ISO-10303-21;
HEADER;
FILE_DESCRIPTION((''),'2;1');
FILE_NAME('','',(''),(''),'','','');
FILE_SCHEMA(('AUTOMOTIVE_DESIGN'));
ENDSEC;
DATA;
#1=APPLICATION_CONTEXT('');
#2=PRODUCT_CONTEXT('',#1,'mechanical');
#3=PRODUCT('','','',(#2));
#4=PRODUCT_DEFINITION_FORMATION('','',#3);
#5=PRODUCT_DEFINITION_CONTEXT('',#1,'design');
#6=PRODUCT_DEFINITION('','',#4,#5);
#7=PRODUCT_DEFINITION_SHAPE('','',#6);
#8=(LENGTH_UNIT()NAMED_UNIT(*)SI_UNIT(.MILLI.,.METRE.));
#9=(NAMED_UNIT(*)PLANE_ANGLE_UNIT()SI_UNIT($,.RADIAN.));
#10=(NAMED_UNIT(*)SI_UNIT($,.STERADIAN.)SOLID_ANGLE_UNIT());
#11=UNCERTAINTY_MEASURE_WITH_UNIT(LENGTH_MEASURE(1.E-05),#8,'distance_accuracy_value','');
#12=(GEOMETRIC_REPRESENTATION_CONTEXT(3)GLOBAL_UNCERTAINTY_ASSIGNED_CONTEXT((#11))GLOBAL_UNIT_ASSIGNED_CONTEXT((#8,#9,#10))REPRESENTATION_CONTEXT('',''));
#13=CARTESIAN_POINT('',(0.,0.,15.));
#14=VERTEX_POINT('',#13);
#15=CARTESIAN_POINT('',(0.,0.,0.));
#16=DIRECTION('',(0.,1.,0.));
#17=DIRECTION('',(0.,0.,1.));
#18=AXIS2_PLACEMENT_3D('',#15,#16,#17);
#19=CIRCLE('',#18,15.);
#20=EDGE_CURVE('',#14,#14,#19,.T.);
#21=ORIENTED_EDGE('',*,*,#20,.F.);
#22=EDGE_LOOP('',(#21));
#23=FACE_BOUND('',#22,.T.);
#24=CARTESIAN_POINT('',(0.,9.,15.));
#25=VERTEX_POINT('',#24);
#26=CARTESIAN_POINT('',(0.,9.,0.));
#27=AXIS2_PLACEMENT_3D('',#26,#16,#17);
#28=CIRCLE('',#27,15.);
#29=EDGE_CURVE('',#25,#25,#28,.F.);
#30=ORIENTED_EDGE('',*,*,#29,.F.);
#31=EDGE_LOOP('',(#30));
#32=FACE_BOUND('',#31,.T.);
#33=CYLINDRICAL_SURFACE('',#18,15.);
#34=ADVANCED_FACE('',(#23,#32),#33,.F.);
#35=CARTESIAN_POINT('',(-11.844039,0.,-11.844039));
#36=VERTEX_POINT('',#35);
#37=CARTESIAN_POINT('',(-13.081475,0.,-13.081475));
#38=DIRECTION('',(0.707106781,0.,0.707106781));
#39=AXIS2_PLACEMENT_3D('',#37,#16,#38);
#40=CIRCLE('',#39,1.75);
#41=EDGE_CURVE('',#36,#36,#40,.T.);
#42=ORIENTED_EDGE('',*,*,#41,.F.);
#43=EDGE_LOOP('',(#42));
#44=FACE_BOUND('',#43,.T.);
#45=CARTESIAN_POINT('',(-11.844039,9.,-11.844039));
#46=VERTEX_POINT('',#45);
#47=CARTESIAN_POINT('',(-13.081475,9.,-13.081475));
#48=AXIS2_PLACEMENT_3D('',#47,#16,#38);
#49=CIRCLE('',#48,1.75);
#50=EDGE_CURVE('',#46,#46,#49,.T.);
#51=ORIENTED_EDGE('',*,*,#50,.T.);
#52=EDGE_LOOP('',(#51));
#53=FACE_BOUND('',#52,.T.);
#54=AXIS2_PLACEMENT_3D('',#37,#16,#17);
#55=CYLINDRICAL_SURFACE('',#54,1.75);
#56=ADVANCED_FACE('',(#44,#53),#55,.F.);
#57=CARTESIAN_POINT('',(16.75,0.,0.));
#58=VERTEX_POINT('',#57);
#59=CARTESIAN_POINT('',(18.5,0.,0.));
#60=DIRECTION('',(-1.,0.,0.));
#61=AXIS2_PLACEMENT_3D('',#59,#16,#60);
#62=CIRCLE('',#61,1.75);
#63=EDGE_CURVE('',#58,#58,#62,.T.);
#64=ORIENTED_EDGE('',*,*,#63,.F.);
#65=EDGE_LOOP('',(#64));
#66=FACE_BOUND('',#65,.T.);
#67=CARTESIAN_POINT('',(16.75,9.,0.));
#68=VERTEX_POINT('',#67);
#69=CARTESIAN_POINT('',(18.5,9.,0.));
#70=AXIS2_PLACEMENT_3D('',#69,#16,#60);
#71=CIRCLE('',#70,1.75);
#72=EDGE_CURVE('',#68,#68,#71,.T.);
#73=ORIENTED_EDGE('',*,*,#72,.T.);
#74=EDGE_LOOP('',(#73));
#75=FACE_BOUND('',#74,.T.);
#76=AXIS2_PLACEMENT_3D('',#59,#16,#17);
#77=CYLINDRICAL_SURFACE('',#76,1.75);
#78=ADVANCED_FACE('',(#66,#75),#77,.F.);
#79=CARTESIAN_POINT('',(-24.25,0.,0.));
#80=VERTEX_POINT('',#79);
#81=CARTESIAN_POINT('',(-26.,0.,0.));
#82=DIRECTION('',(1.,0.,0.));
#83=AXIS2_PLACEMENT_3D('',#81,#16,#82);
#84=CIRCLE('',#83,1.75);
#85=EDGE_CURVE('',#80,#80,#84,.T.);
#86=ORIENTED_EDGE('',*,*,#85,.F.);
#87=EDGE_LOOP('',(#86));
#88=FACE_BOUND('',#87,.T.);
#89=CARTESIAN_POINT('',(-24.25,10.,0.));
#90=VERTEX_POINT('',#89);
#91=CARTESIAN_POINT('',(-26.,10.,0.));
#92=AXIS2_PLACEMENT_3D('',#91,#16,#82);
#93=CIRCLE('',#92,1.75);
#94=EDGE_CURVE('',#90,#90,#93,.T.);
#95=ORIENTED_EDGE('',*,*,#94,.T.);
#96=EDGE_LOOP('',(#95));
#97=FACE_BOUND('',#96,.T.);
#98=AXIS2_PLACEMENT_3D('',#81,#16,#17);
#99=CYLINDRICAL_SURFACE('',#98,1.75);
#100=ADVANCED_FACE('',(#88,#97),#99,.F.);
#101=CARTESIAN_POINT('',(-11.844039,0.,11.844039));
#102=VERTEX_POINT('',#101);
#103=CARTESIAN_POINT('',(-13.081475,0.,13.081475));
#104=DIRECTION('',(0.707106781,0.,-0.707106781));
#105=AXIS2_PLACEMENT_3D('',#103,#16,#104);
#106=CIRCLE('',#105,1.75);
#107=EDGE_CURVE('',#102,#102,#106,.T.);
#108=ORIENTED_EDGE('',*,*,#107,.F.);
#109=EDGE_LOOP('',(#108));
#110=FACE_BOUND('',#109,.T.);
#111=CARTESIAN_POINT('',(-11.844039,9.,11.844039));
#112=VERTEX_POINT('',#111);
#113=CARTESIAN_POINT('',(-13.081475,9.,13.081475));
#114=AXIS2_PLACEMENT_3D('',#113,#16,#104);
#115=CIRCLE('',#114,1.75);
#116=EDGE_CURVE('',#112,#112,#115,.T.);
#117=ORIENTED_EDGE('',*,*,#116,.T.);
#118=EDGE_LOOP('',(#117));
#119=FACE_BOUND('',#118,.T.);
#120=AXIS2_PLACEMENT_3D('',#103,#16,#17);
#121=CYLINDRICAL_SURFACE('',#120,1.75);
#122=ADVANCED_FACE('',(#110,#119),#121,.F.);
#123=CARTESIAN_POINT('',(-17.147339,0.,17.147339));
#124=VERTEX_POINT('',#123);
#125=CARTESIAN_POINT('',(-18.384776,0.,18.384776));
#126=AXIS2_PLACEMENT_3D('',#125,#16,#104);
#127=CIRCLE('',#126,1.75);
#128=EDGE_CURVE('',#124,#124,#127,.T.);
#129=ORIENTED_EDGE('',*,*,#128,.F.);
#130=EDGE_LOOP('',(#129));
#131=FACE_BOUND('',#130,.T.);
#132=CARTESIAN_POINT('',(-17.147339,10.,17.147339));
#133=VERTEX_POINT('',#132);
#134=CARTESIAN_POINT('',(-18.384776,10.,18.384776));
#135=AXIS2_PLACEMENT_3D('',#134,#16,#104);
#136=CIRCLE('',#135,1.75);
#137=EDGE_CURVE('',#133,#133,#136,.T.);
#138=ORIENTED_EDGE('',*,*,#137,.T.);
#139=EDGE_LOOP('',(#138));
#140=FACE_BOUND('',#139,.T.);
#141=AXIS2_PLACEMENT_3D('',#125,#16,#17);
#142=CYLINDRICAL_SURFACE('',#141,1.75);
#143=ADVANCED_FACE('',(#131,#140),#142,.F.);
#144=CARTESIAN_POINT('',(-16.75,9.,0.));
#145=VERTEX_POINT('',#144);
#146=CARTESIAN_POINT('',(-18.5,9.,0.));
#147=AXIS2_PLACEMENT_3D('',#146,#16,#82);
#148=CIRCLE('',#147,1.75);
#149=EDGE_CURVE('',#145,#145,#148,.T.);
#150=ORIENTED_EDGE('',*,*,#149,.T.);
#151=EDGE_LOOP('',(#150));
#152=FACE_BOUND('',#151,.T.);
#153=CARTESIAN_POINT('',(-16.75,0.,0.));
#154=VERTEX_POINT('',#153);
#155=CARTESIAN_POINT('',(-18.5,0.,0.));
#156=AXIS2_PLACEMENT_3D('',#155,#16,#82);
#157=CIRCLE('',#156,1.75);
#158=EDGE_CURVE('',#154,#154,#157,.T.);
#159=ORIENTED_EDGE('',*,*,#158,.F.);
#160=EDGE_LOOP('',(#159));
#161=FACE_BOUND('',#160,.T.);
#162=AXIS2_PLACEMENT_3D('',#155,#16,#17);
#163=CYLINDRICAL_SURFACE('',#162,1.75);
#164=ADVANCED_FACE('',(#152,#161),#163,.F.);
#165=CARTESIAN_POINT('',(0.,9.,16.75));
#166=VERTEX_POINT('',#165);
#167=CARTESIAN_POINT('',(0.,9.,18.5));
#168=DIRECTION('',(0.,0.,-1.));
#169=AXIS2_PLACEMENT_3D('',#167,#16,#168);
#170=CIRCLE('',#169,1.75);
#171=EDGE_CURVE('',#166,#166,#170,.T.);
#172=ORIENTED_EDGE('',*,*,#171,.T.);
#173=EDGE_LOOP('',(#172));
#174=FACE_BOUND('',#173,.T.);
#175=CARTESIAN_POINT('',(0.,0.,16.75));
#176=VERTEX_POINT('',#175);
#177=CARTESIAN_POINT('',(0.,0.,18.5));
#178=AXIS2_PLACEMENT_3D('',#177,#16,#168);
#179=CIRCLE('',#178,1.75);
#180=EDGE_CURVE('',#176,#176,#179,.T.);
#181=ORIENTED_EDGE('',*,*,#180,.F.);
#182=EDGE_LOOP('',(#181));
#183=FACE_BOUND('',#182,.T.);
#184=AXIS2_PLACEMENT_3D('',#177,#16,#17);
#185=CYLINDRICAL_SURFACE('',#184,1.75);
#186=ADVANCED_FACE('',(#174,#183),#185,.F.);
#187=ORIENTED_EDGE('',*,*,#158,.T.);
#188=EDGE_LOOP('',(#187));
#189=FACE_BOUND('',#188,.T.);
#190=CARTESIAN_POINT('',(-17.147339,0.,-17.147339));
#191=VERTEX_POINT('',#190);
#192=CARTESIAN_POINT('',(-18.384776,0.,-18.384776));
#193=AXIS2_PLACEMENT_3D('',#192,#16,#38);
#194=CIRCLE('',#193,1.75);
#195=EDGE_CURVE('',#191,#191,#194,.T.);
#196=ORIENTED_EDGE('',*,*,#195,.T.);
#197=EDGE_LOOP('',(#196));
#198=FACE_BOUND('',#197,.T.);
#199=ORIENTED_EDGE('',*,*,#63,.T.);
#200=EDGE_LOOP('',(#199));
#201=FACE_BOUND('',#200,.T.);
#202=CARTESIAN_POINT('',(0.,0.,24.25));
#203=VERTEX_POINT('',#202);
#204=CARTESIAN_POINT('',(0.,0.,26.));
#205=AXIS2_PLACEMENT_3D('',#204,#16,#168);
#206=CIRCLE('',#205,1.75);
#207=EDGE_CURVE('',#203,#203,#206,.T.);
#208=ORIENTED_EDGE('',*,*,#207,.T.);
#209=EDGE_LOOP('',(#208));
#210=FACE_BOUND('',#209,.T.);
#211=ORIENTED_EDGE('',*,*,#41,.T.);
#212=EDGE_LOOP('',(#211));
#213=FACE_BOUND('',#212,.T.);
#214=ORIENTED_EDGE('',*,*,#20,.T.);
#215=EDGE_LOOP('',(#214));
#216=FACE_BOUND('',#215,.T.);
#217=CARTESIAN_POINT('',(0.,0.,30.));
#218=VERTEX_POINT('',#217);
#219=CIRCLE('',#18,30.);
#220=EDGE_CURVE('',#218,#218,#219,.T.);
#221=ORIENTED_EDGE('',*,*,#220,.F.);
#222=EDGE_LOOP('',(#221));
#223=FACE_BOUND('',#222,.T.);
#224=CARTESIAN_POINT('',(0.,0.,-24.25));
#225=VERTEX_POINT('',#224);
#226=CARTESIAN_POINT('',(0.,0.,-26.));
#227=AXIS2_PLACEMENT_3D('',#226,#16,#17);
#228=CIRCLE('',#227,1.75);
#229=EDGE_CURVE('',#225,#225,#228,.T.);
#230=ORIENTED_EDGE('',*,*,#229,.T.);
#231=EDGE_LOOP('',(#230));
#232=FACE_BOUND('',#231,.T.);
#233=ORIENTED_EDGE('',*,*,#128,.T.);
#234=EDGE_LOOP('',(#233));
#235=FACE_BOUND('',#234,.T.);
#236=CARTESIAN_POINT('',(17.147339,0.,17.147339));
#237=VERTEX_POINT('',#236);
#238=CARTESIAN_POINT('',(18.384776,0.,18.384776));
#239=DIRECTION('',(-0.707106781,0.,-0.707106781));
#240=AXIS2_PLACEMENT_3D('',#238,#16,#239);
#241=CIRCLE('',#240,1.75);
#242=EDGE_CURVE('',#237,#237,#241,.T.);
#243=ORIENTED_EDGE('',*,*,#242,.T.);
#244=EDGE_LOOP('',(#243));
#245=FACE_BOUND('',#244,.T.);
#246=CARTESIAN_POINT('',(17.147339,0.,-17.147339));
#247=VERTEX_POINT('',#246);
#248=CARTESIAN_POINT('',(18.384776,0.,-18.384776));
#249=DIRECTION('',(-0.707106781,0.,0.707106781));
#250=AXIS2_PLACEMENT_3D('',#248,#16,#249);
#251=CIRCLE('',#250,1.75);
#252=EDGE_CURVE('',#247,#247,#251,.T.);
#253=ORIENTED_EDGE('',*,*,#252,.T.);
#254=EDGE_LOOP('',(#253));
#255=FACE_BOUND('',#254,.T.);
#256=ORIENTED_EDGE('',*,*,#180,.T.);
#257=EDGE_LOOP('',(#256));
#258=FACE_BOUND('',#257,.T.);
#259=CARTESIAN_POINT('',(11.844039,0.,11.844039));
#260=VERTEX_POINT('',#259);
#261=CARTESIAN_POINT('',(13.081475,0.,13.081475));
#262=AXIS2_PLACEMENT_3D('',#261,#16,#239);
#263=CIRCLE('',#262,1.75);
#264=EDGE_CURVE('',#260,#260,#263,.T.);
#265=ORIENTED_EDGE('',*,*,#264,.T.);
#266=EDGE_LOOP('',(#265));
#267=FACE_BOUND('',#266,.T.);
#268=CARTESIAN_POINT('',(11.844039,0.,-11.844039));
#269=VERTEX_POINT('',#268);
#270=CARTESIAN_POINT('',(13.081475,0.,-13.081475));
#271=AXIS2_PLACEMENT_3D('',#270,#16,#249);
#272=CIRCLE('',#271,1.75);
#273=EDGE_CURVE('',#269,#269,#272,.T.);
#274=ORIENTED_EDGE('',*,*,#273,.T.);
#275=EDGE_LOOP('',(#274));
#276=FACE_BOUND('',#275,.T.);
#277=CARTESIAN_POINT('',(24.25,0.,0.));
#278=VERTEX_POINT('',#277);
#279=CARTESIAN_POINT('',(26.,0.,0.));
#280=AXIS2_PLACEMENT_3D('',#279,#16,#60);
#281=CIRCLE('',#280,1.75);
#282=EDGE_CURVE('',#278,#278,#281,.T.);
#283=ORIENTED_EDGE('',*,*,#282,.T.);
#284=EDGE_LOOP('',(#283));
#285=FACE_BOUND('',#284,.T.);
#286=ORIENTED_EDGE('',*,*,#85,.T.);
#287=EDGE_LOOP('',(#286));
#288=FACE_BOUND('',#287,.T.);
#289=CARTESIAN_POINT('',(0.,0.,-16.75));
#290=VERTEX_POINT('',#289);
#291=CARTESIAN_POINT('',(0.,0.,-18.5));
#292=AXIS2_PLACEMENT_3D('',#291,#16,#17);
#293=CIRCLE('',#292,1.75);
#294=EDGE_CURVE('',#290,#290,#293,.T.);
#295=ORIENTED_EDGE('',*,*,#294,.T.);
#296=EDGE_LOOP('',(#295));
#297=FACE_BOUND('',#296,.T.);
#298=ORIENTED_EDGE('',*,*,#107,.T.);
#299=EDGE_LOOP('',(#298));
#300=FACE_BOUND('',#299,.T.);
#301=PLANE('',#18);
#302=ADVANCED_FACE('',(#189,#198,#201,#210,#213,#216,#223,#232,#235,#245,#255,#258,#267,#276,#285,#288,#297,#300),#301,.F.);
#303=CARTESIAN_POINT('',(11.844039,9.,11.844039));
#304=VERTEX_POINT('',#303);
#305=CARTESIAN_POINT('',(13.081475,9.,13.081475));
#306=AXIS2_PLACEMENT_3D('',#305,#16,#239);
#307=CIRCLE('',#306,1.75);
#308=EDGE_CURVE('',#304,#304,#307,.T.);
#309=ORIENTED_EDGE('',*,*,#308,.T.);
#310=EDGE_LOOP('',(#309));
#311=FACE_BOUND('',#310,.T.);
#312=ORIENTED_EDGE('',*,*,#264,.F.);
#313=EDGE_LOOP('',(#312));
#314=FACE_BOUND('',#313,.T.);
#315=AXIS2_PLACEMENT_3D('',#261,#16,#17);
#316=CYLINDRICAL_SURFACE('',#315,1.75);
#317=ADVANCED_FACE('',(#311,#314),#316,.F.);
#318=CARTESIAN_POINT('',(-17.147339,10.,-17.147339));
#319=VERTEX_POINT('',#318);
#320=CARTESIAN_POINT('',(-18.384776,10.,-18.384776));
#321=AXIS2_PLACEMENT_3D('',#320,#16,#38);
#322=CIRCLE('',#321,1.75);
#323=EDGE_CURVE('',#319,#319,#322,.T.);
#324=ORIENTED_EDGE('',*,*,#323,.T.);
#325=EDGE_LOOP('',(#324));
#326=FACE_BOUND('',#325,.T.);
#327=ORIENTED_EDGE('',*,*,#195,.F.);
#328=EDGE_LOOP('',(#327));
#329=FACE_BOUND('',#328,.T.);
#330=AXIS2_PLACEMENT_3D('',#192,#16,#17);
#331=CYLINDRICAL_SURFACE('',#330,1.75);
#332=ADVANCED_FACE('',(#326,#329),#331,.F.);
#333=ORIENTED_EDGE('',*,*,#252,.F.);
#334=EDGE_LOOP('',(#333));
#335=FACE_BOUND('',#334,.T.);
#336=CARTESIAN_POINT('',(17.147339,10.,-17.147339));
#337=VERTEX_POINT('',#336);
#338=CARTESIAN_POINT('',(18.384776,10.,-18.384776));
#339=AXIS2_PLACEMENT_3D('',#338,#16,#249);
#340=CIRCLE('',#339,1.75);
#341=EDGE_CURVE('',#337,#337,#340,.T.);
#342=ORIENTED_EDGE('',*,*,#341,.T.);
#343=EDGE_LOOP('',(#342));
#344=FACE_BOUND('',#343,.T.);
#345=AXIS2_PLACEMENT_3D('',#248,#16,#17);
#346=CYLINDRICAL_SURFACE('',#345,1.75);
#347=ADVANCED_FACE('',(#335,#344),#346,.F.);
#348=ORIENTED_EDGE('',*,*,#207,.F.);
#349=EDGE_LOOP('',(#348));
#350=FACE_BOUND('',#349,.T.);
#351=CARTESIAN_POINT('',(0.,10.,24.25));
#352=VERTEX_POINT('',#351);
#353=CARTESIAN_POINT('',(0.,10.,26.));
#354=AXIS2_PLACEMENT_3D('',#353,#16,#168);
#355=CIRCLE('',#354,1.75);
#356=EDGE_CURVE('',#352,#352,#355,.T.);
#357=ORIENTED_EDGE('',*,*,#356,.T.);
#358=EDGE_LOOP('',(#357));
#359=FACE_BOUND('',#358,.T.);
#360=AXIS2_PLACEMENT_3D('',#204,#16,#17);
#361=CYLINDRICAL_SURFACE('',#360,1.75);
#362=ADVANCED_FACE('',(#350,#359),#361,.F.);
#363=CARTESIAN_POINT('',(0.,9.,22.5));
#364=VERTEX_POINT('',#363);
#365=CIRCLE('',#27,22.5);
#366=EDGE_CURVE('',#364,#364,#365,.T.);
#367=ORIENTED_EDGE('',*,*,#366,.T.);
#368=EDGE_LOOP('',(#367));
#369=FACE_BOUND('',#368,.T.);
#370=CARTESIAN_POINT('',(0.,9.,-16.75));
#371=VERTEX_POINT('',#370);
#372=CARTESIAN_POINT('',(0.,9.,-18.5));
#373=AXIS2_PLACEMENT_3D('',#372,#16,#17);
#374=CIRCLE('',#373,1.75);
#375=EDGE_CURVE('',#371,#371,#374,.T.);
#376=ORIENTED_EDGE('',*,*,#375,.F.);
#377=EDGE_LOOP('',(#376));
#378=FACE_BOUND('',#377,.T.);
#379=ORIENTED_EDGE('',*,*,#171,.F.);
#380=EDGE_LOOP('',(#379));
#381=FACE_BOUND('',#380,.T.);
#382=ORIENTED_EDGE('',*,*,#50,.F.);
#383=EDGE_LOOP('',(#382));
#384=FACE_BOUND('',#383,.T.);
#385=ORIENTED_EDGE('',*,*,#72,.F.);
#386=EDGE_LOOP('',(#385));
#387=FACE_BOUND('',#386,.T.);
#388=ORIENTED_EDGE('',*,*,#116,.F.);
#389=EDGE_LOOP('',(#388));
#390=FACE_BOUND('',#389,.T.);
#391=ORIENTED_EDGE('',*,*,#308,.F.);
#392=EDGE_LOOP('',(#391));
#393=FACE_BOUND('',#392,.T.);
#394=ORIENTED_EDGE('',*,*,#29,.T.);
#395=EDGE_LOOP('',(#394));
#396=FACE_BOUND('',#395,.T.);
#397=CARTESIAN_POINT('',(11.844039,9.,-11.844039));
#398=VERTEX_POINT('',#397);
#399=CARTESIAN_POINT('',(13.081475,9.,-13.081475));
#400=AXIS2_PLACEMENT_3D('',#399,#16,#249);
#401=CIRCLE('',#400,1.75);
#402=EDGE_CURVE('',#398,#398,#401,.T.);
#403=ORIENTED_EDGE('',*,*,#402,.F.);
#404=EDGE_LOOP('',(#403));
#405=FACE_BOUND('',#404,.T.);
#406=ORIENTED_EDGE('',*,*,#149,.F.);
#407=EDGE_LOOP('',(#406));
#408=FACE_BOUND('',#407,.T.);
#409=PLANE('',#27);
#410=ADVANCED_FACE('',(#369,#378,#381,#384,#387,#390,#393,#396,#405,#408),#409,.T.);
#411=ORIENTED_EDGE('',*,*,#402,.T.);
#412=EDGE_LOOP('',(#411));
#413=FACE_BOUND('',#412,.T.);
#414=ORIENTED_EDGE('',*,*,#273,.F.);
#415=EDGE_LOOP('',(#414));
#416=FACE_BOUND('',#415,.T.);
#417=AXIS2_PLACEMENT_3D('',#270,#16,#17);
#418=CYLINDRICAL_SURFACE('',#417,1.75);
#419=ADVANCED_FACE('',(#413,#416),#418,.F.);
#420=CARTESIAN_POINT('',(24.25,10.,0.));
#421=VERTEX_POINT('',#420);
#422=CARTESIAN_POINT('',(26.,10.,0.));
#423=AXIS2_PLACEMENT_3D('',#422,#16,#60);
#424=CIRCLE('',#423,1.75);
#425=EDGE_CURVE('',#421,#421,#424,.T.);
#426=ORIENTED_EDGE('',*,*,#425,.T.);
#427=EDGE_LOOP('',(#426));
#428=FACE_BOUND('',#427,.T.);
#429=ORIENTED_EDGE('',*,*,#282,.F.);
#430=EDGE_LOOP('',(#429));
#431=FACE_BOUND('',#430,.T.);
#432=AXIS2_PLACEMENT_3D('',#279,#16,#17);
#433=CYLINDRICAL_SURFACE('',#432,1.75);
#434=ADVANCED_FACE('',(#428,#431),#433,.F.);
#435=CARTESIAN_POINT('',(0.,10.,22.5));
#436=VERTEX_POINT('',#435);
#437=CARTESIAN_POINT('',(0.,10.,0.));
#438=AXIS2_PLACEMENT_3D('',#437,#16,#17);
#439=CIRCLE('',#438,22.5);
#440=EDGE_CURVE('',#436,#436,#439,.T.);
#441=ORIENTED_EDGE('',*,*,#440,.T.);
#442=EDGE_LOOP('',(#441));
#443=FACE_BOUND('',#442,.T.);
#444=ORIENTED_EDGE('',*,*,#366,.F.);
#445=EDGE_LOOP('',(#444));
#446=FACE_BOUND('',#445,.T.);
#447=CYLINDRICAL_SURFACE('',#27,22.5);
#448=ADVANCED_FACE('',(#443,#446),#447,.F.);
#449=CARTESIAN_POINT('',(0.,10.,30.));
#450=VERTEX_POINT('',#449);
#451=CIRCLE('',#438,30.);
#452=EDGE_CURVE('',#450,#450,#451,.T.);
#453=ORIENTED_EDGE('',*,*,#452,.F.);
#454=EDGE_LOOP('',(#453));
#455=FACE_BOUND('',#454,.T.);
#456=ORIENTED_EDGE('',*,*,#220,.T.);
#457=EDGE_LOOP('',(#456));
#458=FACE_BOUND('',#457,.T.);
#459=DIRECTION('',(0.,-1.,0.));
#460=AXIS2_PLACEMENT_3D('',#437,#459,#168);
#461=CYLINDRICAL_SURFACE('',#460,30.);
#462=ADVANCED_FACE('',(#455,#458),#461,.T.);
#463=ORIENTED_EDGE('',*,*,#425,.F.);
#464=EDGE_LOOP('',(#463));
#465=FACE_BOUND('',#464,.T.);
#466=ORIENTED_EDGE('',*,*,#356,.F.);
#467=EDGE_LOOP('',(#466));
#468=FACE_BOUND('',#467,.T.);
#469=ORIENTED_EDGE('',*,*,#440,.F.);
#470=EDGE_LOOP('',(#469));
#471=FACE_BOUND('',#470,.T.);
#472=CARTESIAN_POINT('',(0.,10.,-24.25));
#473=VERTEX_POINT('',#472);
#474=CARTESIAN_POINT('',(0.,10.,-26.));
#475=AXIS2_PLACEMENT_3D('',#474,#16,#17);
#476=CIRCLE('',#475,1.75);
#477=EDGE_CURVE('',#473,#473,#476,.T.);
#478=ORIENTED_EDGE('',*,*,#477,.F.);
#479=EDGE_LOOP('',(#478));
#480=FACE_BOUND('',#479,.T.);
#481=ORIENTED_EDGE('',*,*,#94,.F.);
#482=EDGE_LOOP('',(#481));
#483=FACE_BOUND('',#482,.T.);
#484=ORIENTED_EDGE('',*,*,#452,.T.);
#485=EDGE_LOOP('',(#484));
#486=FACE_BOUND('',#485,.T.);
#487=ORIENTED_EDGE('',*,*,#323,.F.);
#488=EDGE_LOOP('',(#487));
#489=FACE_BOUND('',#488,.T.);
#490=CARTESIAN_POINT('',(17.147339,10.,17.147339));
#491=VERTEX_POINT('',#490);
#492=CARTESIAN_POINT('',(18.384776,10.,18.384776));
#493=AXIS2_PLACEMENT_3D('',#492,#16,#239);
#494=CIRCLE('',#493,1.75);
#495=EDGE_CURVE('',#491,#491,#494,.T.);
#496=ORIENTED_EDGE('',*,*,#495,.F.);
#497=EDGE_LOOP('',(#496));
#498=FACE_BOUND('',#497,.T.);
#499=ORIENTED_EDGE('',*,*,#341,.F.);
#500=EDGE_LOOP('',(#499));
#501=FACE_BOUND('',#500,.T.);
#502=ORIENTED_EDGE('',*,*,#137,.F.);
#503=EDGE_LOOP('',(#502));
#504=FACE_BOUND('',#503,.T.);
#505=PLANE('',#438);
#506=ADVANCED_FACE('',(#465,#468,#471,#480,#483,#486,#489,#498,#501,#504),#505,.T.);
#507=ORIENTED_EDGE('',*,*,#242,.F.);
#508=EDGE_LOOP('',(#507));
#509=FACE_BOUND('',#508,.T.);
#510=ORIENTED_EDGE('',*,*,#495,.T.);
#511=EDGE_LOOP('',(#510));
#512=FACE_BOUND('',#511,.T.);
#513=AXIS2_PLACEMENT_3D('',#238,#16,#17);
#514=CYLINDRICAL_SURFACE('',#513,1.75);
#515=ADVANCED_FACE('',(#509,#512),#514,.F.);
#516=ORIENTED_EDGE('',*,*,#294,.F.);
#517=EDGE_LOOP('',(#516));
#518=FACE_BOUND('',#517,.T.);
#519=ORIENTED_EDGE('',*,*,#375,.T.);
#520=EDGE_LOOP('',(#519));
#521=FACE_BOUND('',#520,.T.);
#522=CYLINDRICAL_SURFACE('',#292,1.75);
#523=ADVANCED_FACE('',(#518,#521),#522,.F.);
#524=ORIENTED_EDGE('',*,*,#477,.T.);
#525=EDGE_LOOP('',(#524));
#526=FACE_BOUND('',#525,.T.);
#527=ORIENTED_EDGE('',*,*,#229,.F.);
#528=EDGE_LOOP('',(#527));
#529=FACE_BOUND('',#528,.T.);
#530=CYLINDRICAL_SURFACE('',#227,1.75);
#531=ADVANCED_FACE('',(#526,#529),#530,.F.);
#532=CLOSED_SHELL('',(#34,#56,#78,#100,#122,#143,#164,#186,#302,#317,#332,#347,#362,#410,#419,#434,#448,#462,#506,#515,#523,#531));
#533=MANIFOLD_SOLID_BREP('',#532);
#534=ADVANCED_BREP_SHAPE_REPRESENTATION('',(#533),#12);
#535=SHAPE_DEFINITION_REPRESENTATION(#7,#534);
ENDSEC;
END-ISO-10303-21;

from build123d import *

# Parameters (mm, degrees)
SKETCH1_R           = 30
BOSS_EXTRUDE1_DEPTH = 10
SKETCH2_R           = 15
CUT_EXTRUDE1_DEPTH  = 44.588989435
SKETCH3_R           = 22.5
CUT_EXTRUDE2_DEPTH  = 1
SKETCH4_R           = 1.75
CUT_EXTRUDE3_DEPTH  = 44.370496884
CIRPATTERN1_COUNT   = 8
SKETCH5_R           = 1.75
CUT_EXTRUDE4_DEPTH  = 44.588989435
CIRPATTERN2_COUNT   = 8


with BuildPart() as part:
    # Sketch1 → Boss-Extrude1 (new body)
    with BuildSketch(Plane(origin=(0, 0, 0), x_dir=(1, 0, 0), z_dir=(0, 1, 0))):
        with Locations(Location((0, 0, 0), (0, 0, 270))):
            Circle(SKETCH1_R)
    extrude(amount=BOSS_EXTRUDE1_DEPTH)

    # Sketch2 → Cut-Extrude1 (cut, through all)
    with BuildSketch(Plane(origin=(0, 10, 0), x_dir=(1, 0, 0), z_dir=(0, 1, 0))):
        with Locations(Location((0, 0, 0), (0, 0, 270))):
            Circle(SKETCH2_R)
    extrude(amount=-CUT_EXTRUDE1_DEPTH, mode=Mode.SUBTRACT)

    # Sketch3 → Cut-Extrude2 (cut)
    with BuildSketch(Plane(origin=(0, 10, 0), x_dir=(1, 0, 0), z_dir=(0, 1, 0))):
        with Locations(Location((0, 0, 0), (0, 0, 270))):
            Circle(SKETCH3_R)
    extrude(amount=-CUT_EXTRUDE2_DEPTH, mode=Mode.SUBTRACT)

    # Sketch4 → Cut-Extrude3 (cut, through all)
    with BuildSketch(Plane(origin=(0, 9, 0), x_dir=(1, 0, 0), z_dir=(0, 1, 0))):
        with Locations(Location((0, 18.5, 0), (0, 0, 270))):
            Circle(SKETCH4_R)
    cut_extrude3 = extrude(amount=-CUT_EXTRUDE3_DEPTH, mode=Mode.SUBTRACT)

    # CirPattern1: Cut-Extrude3 ×8 about axis
    cirpattern1_axis = Axis((0, 0, 0), (0, 1, 0))
    for i in range(1, CIRPATTERN1_COUNT):
        add(cut_extrude3.rotate(cirpattern1_axis, i * 360 / CIRPATTERN1_COUNT), mode=Mode.SUBTRACT)

    # Sketch5 → Cut-Extrude4 (cut, through all)
    with BuildSketch(Plane(origin=(0, 10, 0), x_dir=(1, 0, 0), z_dir=(0, 1, 0))):
        with Locations(Location((0, 26, 0), (0, 0, 270))):
            Circle(SKETCH5_R)
    cut_extrude4 = extrude(amount=-CUT_EXTRUDE4_DEPTH, mode=Mode.SUBTRACT)

    # CirPattern2: Cut-Extrude4 ×8 about axis
    cirpattern2_axis = Axis((0, 0, 0), (0, 1, 0))
    for i in range(1, CIRPATTERN2_COUNT):
        add(cut_extrude4.rotate(cirpattern2_axis, i * 360 / CIRPATTERN2_COUNT), mode=Mode.SUBTRACT)


solid = part.part
